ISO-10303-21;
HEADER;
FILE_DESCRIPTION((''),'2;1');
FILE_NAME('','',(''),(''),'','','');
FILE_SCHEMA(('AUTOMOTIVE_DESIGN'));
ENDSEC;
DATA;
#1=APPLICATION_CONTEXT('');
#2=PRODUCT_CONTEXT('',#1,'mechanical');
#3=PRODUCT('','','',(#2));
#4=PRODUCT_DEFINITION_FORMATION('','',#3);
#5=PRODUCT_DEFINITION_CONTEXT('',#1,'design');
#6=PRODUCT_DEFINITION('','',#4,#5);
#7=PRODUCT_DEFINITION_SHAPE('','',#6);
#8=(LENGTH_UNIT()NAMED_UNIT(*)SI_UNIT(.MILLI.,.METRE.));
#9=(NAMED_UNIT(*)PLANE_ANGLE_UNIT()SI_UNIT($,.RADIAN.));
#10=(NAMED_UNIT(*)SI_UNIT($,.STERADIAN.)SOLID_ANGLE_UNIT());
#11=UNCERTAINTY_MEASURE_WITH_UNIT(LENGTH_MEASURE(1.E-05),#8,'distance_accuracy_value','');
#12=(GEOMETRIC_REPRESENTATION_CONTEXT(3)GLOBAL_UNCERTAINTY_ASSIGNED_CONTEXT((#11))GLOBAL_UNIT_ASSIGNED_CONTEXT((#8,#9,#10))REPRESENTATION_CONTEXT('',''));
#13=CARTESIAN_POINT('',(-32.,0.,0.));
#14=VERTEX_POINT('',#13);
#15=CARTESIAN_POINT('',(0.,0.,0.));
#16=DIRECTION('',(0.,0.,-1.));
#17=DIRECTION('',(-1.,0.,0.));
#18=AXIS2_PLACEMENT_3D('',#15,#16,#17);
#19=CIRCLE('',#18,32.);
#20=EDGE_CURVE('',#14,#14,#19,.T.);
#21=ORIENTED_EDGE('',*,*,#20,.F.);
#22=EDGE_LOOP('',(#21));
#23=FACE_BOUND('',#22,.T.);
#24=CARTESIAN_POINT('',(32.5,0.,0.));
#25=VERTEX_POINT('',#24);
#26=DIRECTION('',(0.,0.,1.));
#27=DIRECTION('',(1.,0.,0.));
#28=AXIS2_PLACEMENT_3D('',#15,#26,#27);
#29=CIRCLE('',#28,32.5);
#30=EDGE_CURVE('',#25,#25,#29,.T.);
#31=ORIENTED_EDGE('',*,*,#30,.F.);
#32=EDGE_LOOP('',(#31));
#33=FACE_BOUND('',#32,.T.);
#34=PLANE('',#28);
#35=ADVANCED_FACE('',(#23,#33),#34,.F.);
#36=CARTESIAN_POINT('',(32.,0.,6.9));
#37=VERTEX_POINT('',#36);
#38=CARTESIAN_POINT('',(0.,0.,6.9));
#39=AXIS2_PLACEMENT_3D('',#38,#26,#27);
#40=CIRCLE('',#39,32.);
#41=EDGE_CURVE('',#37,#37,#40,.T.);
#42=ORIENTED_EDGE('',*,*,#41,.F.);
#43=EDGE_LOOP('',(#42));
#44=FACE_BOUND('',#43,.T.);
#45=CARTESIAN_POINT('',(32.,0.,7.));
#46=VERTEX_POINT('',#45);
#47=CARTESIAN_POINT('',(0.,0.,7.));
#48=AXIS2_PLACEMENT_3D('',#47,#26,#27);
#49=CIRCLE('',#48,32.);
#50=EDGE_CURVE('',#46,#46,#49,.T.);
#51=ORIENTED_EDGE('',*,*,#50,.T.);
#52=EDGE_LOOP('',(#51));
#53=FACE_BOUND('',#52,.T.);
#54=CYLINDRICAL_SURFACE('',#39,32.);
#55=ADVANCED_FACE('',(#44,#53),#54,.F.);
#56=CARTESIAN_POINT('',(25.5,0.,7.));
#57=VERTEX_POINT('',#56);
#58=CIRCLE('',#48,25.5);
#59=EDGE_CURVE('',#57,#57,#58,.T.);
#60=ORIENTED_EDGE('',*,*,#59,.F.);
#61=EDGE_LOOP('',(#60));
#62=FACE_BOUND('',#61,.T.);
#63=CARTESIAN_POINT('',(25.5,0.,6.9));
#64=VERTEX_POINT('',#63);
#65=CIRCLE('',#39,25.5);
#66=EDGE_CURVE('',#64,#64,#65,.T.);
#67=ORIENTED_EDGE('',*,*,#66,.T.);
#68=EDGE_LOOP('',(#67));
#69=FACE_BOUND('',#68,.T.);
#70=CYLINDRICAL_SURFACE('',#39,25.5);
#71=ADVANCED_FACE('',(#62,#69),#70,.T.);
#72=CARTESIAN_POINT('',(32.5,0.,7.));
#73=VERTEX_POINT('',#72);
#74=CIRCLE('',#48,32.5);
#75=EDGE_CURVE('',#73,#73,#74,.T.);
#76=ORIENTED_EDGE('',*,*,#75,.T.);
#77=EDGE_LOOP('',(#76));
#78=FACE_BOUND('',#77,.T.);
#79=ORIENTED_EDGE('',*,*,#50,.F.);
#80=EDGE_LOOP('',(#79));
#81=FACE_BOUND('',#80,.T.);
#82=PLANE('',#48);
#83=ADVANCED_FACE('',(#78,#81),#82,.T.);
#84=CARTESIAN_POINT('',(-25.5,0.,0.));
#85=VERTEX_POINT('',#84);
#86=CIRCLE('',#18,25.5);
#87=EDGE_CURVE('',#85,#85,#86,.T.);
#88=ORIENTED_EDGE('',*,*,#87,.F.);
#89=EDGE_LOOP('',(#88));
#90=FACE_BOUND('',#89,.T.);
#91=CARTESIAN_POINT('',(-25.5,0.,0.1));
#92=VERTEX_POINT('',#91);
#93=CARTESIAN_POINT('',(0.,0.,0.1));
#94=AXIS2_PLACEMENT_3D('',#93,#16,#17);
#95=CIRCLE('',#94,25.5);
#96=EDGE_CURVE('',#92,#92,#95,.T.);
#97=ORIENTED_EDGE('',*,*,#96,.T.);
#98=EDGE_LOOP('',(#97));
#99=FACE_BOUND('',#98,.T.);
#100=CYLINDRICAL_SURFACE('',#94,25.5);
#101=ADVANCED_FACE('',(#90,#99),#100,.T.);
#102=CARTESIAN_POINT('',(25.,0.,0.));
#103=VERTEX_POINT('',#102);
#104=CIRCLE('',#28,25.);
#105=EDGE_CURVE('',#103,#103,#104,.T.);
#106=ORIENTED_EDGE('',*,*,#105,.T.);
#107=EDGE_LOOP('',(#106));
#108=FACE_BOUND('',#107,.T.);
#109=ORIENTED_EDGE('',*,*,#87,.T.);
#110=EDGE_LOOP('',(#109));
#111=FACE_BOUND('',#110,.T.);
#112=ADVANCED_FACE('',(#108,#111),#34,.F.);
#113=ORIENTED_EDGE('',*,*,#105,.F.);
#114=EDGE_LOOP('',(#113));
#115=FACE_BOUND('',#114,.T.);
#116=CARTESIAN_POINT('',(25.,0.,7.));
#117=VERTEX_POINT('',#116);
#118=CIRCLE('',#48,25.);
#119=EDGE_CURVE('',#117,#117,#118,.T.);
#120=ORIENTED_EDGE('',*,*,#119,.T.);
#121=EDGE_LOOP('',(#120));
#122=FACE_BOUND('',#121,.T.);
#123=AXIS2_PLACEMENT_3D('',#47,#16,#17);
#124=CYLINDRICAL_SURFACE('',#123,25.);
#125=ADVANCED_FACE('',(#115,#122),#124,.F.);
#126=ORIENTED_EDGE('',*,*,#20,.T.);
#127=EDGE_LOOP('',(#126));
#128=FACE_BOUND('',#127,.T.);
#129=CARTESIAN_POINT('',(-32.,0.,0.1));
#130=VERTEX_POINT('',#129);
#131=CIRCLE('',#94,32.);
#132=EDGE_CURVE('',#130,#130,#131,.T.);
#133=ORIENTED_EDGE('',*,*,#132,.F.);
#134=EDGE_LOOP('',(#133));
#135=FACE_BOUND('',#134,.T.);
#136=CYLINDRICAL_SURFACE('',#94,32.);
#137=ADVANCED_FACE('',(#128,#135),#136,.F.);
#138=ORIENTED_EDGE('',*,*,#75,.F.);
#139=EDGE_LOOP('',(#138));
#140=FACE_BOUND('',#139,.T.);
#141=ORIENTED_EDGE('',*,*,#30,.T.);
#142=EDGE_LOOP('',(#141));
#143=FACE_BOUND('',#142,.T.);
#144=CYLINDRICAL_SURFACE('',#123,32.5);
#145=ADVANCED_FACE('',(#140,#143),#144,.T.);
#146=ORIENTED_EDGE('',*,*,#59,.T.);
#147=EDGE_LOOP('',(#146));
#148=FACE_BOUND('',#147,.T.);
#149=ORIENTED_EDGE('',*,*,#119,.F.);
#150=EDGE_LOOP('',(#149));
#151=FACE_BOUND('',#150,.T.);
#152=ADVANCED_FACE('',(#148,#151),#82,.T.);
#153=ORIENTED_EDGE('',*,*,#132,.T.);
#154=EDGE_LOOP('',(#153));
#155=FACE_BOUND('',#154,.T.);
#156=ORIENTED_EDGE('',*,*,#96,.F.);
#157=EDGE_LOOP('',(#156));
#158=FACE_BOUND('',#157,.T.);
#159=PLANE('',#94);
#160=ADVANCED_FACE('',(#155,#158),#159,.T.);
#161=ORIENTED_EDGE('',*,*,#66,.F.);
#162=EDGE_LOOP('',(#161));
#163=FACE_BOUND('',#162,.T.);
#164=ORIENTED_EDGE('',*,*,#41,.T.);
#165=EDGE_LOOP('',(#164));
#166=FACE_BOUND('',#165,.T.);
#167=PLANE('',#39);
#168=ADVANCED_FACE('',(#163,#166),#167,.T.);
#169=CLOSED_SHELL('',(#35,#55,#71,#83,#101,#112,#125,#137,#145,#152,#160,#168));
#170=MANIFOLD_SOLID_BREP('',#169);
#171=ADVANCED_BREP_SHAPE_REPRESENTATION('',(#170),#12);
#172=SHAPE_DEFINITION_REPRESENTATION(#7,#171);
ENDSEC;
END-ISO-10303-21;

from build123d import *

# Parameters (mm, degrees)
SKETCH1_R           = 32.5
SKETCH1_R_2         = 25
BOSS_EXTRUDE1_DEPTH = 7
SKETCH2_R           = 32
SKETCH2_R_2         = 25.5
CUT_EXTRUDE1_DEPTH  = 0.1
CUT_EXTRUDE2_START  = -0.1
SKETCH3_R           = 32
SKETCH3_R_2         = 25.5
CUT_EXTRUDE2_DEPTH  = 0.1


with BuildPart() as part:
    # Sketch1 → Boss-Extrude1 (new body)
    with BuildSketch(Plane.XY):
        Circle(SKETCH1_R)
        Circle(SKETCH1_R_2, mode=Mode.SUBTRACT)
    extrude(amount=BOSS_EXTRUDE1_DEPTH)

    # Sketch2 → Cut-Extrude1 (cut)
    with BuildSketch(Plane(origin=(0, 0, 0), x_dir=(-1, 0, 0), z_dir=(0, 0, -1))):
        Circle(SKETCH2_R)
        Circle(SKETCH2_R_2, mode=Mode.SUBTRACT)
    extrude(amount=-CUT_EXTRUDE1_DEPTH, mode=Mode.SUBTRACT)

    # Sketch3 → Cut-Extrude2 (cut)
    with BuildSketch(Plane.XY.offset(7).offset(CUT_EXTRUDE2_START)):
        with Locations(Location((0, 0, 0), (0, 0, 180))):
            Circle(SKETCH3_R)
        with Locations(Location((0, 0, 0), (0, 0, 180))):
            Circle(SKETCH3_R_2, mode=Mode.SUBTRACT)
    extrude(amount=CUT_EXTRUDE2_DEPTH, mode=Mode.SUBTRACT)


solid = part.part
